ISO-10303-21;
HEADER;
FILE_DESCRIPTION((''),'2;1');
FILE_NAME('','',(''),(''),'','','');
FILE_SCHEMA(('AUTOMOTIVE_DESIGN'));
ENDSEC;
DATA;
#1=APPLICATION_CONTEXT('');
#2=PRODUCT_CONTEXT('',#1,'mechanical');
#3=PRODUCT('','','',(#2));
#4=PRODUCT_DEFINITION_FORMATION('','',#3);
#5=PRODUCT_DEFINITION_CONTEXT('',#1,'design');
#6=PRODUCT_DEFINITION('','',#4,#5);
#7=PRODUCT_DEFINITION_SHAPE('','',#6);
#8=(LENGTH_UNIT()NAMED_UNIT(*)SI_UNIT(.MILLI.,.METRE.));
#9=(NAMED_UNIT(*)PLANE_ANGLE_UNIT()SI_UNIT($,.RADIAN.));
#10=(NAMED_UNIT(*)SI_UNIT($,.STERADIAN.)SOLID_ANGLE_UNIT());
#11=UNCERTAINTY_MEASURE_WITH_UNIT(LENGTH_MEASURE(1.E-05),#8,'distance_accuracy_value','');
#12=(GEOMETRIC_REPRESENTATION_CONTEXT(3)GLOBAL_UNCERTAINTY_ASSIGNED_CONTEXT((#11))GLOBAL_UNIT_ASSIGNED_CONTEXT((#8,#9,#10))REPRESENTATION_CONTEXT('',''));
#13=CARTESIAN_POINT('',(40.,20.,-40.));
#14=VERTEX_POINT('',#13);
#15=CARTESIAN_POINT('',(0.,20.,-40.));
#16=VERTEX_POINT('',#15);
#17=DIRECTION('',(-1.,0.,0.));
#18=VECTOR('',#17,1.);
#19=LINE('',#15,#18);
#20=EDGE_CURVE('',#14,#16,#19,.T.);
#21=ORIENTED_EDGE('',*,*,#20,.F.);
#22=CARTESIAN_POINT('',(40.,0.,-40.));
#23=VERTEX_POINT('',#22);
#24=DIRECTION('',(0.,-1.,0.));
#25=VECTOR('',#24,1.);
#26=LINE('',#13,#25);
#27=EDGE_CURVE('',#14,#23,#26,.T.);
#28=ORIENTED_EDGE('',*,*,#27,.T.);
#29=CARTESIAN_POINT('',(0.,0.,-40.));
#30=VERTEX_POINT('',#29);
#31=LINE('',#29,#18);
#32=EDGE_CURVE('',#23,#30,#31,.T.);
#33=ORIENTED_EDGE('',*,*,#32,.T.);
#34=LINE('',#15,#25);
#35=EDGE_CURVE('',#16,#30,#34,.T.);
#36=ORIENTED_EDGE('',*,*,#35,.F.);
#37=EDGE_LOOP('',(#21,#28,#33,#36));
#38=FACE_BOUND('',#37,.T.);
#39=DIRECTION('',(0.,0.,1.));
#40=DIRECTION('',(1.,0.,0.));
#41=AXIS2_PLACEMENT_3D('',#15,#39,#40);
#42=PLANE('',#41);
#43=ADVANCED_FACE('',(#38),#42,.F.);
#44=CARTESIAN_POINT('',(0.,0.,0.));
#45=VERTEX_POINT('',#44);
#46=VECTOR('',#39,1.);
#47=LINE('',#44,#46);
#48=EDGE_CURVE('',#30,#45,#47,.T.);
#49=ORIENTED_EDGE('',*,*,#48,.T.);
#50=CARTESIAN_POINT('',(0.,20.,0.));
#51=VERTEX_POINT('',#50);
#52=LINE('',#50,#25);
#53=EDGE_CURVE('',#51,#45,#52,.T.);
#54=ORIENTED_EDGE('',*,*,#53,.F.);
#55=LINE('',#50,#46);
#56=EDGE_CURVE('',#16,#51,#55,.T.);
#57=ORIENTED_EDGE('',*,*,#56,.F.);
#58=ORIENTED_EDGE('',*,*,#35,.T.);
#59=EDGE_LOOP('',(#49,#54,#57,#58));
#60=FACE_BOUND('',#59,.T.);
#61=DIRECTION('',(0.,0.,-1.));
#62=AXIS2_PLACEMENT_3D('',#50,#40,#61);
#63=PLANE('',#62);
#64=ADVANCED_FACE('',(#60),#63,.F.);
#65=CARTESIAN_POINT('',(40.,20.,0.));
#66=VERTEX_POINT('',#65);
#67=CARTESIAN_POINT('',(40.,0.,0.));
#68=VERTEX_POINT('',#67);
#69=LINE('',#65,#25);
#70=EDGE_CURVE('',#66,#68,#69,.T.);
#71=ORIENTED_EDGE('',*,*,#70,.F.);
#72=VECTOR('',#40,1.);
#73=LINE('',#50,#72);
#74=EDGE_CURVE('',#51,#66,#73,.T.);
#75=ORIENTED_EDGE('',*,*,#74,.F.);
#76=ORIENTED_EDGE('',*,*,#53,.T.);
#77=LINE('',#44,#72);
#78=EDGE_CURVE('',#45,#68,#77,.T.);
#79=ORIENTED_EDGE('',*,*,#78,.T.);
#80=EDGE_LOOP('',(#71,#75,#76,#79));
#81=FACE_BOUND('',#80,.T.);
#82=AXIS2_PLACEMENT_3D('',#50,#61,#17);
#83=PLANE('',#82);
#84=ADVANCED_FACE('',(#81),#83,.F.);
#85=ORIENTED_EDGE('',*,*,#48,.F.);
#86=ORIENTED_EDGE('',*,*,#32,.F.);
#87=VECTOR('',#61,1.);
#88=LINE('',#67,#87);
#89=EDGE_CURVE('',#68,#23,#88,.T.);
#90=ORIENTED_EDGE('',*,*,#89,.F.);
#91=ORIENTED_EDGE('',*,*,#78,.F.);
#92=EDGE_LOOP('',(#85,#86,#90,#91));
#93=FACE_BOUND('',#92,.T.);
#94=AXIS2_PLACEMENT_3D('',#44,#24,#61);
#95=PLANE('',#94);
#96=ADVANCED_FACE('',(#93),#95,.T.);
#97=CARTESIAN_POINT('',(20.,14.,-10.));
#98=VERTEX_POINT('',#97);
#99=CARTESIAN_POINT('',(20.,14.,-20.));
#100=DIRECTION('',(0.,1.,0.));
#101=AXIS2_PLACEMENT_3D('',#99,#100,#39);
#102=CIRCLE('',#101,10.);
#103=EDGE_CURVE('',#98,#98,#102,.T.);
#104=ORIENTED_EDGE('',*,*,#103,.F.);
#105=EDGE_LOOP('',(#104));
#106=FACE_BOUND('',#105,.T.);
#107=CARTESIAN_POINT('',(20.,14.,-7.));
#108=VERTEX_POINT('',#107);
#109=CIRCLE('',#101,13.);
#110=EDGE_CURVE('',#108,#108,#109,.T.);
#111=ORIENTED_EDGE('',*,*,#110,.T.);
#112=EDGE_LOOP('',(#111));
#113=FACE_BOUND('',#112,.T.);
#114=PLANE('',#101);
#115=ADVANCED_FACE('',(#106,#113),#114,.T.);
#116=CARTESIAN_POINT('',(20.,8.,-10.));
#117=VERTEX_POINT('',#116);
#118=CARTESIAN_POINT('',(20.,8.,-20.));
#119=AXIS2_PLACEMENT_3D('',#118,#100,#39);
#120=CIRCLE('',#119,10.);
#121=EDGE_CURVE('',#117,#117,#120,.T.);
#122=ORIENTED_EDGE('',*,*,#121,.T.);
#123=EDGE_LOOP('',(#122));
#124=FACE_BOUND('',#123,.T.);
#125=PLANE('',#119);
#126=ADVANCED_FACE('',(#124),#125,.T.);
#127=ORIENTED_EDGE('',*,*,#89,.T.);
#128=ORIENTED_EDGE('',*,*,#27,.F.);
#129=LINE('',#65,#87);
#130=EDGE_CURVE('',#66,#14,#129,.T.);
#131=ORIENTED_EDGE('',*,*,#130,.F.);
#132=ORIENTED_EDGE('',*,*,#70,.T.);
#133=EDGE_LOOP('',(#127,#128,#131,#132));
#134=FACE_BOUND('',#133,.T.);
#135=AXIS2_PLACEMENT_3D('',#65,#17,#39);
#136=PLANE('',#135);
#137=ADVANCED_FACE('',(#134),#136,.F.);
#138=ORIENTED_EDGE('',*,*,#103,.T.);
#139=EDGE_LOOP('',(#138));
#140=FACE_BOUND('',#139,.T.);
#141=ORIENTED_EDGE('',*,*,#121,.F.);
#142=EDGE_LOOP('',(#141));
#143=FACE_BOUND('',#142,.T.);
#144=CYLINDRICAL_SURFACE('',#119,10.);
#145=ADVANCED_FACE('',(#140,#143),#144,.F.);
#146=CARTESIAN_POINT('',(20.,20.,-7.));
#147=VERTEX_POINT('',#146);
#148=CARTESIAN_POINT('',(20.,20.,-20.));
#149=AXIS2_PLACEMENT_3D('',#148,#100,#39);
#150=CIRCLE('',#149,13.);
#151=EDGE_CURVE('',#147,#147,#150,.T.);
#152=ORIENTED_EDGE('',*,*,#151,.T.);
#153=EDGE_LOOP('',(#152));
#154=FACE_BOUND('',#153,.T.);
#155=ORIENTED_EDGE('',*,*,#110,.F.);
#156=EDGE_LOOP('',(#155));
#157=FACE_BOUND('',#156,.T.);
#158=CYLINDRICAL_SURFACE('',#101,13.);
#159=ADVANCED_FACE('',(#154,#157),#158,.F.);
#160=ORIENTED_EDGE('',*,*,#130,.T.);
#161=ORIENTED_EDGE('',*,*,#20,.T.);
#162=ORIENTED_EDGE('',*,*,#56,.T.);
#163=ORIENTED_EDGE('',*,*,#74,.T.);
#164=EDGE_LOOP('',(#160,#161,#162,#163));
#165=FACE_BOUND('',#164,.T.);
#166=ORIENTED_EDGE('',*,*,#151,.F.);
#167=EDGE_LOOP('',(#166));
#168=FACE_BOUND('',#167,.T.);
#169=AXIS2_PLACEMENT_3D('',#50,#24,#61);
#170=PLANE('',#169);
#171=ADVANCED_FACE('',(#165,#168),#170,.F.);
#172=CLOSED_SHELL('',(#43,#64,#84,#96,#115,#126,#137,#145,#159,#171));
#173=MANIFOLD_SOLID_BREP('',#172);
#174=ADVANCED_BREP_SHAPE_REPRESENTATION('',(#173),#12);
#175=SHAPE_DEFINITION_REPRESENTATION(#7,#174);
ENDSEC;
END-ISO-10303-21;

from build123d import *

# Parameters (mm, degrees)
SKETCH_1_W          = 40
SKETCH_1_H          = 40
EXTRUDE_1_DEPTH     = 20
SKETCH_2_R          = 13
CUT_EXTRUDE_1_DEPTH = 6
SKETCH_3_R          = 10
CUT_EXTRUDE_2_DEPTH = 6


with BuildPart() as part:
    # Эскиз1 → Бобышка-Вытянуть1 (new body)
    with BuildSketch(Plane(origin=(0, 0, 0), x_dir=(1, 0, 0), z_dir=(0, 1, 0))):
        with Locations((20, 20)):
            Rectangle(SKETCH_1_W, SKETCH_1_H)
    extrude(amount=EXTRUDE_1_DEPTH)

    # Эскиз2 → Вырез-Вытянуть1 (cut)
    with BuildSketch(Plane(origin=(0, 20, 0), x_dir=(1, 0, 0), z_dir=(0, 1, 0))):
        with Locations(Location((20, 20, 0), (0, 0, 270))):
            Circle(SKETCH_2_R)
    extrude(amount=-CUT_EXTRUDE_1_DEPTH, mode=Mode.SUBTRACT)

    # Эскиз3 → Вырез-Вытянуть2 (cut)
    with BuildSketch(Plane(origin=(0, 14, 0), x_dir=(1, 0, 0), z_dir=(0, 1, 0))):
        with Locations(Location((20, 20, 0), (0, 0, 270))):
            Circle(SKETCH_3_R)
    extrude(amount=-CUT_EXTRUDE_2_DEPTH, mode=Mode.SUBTRACT)


solid = part.part
